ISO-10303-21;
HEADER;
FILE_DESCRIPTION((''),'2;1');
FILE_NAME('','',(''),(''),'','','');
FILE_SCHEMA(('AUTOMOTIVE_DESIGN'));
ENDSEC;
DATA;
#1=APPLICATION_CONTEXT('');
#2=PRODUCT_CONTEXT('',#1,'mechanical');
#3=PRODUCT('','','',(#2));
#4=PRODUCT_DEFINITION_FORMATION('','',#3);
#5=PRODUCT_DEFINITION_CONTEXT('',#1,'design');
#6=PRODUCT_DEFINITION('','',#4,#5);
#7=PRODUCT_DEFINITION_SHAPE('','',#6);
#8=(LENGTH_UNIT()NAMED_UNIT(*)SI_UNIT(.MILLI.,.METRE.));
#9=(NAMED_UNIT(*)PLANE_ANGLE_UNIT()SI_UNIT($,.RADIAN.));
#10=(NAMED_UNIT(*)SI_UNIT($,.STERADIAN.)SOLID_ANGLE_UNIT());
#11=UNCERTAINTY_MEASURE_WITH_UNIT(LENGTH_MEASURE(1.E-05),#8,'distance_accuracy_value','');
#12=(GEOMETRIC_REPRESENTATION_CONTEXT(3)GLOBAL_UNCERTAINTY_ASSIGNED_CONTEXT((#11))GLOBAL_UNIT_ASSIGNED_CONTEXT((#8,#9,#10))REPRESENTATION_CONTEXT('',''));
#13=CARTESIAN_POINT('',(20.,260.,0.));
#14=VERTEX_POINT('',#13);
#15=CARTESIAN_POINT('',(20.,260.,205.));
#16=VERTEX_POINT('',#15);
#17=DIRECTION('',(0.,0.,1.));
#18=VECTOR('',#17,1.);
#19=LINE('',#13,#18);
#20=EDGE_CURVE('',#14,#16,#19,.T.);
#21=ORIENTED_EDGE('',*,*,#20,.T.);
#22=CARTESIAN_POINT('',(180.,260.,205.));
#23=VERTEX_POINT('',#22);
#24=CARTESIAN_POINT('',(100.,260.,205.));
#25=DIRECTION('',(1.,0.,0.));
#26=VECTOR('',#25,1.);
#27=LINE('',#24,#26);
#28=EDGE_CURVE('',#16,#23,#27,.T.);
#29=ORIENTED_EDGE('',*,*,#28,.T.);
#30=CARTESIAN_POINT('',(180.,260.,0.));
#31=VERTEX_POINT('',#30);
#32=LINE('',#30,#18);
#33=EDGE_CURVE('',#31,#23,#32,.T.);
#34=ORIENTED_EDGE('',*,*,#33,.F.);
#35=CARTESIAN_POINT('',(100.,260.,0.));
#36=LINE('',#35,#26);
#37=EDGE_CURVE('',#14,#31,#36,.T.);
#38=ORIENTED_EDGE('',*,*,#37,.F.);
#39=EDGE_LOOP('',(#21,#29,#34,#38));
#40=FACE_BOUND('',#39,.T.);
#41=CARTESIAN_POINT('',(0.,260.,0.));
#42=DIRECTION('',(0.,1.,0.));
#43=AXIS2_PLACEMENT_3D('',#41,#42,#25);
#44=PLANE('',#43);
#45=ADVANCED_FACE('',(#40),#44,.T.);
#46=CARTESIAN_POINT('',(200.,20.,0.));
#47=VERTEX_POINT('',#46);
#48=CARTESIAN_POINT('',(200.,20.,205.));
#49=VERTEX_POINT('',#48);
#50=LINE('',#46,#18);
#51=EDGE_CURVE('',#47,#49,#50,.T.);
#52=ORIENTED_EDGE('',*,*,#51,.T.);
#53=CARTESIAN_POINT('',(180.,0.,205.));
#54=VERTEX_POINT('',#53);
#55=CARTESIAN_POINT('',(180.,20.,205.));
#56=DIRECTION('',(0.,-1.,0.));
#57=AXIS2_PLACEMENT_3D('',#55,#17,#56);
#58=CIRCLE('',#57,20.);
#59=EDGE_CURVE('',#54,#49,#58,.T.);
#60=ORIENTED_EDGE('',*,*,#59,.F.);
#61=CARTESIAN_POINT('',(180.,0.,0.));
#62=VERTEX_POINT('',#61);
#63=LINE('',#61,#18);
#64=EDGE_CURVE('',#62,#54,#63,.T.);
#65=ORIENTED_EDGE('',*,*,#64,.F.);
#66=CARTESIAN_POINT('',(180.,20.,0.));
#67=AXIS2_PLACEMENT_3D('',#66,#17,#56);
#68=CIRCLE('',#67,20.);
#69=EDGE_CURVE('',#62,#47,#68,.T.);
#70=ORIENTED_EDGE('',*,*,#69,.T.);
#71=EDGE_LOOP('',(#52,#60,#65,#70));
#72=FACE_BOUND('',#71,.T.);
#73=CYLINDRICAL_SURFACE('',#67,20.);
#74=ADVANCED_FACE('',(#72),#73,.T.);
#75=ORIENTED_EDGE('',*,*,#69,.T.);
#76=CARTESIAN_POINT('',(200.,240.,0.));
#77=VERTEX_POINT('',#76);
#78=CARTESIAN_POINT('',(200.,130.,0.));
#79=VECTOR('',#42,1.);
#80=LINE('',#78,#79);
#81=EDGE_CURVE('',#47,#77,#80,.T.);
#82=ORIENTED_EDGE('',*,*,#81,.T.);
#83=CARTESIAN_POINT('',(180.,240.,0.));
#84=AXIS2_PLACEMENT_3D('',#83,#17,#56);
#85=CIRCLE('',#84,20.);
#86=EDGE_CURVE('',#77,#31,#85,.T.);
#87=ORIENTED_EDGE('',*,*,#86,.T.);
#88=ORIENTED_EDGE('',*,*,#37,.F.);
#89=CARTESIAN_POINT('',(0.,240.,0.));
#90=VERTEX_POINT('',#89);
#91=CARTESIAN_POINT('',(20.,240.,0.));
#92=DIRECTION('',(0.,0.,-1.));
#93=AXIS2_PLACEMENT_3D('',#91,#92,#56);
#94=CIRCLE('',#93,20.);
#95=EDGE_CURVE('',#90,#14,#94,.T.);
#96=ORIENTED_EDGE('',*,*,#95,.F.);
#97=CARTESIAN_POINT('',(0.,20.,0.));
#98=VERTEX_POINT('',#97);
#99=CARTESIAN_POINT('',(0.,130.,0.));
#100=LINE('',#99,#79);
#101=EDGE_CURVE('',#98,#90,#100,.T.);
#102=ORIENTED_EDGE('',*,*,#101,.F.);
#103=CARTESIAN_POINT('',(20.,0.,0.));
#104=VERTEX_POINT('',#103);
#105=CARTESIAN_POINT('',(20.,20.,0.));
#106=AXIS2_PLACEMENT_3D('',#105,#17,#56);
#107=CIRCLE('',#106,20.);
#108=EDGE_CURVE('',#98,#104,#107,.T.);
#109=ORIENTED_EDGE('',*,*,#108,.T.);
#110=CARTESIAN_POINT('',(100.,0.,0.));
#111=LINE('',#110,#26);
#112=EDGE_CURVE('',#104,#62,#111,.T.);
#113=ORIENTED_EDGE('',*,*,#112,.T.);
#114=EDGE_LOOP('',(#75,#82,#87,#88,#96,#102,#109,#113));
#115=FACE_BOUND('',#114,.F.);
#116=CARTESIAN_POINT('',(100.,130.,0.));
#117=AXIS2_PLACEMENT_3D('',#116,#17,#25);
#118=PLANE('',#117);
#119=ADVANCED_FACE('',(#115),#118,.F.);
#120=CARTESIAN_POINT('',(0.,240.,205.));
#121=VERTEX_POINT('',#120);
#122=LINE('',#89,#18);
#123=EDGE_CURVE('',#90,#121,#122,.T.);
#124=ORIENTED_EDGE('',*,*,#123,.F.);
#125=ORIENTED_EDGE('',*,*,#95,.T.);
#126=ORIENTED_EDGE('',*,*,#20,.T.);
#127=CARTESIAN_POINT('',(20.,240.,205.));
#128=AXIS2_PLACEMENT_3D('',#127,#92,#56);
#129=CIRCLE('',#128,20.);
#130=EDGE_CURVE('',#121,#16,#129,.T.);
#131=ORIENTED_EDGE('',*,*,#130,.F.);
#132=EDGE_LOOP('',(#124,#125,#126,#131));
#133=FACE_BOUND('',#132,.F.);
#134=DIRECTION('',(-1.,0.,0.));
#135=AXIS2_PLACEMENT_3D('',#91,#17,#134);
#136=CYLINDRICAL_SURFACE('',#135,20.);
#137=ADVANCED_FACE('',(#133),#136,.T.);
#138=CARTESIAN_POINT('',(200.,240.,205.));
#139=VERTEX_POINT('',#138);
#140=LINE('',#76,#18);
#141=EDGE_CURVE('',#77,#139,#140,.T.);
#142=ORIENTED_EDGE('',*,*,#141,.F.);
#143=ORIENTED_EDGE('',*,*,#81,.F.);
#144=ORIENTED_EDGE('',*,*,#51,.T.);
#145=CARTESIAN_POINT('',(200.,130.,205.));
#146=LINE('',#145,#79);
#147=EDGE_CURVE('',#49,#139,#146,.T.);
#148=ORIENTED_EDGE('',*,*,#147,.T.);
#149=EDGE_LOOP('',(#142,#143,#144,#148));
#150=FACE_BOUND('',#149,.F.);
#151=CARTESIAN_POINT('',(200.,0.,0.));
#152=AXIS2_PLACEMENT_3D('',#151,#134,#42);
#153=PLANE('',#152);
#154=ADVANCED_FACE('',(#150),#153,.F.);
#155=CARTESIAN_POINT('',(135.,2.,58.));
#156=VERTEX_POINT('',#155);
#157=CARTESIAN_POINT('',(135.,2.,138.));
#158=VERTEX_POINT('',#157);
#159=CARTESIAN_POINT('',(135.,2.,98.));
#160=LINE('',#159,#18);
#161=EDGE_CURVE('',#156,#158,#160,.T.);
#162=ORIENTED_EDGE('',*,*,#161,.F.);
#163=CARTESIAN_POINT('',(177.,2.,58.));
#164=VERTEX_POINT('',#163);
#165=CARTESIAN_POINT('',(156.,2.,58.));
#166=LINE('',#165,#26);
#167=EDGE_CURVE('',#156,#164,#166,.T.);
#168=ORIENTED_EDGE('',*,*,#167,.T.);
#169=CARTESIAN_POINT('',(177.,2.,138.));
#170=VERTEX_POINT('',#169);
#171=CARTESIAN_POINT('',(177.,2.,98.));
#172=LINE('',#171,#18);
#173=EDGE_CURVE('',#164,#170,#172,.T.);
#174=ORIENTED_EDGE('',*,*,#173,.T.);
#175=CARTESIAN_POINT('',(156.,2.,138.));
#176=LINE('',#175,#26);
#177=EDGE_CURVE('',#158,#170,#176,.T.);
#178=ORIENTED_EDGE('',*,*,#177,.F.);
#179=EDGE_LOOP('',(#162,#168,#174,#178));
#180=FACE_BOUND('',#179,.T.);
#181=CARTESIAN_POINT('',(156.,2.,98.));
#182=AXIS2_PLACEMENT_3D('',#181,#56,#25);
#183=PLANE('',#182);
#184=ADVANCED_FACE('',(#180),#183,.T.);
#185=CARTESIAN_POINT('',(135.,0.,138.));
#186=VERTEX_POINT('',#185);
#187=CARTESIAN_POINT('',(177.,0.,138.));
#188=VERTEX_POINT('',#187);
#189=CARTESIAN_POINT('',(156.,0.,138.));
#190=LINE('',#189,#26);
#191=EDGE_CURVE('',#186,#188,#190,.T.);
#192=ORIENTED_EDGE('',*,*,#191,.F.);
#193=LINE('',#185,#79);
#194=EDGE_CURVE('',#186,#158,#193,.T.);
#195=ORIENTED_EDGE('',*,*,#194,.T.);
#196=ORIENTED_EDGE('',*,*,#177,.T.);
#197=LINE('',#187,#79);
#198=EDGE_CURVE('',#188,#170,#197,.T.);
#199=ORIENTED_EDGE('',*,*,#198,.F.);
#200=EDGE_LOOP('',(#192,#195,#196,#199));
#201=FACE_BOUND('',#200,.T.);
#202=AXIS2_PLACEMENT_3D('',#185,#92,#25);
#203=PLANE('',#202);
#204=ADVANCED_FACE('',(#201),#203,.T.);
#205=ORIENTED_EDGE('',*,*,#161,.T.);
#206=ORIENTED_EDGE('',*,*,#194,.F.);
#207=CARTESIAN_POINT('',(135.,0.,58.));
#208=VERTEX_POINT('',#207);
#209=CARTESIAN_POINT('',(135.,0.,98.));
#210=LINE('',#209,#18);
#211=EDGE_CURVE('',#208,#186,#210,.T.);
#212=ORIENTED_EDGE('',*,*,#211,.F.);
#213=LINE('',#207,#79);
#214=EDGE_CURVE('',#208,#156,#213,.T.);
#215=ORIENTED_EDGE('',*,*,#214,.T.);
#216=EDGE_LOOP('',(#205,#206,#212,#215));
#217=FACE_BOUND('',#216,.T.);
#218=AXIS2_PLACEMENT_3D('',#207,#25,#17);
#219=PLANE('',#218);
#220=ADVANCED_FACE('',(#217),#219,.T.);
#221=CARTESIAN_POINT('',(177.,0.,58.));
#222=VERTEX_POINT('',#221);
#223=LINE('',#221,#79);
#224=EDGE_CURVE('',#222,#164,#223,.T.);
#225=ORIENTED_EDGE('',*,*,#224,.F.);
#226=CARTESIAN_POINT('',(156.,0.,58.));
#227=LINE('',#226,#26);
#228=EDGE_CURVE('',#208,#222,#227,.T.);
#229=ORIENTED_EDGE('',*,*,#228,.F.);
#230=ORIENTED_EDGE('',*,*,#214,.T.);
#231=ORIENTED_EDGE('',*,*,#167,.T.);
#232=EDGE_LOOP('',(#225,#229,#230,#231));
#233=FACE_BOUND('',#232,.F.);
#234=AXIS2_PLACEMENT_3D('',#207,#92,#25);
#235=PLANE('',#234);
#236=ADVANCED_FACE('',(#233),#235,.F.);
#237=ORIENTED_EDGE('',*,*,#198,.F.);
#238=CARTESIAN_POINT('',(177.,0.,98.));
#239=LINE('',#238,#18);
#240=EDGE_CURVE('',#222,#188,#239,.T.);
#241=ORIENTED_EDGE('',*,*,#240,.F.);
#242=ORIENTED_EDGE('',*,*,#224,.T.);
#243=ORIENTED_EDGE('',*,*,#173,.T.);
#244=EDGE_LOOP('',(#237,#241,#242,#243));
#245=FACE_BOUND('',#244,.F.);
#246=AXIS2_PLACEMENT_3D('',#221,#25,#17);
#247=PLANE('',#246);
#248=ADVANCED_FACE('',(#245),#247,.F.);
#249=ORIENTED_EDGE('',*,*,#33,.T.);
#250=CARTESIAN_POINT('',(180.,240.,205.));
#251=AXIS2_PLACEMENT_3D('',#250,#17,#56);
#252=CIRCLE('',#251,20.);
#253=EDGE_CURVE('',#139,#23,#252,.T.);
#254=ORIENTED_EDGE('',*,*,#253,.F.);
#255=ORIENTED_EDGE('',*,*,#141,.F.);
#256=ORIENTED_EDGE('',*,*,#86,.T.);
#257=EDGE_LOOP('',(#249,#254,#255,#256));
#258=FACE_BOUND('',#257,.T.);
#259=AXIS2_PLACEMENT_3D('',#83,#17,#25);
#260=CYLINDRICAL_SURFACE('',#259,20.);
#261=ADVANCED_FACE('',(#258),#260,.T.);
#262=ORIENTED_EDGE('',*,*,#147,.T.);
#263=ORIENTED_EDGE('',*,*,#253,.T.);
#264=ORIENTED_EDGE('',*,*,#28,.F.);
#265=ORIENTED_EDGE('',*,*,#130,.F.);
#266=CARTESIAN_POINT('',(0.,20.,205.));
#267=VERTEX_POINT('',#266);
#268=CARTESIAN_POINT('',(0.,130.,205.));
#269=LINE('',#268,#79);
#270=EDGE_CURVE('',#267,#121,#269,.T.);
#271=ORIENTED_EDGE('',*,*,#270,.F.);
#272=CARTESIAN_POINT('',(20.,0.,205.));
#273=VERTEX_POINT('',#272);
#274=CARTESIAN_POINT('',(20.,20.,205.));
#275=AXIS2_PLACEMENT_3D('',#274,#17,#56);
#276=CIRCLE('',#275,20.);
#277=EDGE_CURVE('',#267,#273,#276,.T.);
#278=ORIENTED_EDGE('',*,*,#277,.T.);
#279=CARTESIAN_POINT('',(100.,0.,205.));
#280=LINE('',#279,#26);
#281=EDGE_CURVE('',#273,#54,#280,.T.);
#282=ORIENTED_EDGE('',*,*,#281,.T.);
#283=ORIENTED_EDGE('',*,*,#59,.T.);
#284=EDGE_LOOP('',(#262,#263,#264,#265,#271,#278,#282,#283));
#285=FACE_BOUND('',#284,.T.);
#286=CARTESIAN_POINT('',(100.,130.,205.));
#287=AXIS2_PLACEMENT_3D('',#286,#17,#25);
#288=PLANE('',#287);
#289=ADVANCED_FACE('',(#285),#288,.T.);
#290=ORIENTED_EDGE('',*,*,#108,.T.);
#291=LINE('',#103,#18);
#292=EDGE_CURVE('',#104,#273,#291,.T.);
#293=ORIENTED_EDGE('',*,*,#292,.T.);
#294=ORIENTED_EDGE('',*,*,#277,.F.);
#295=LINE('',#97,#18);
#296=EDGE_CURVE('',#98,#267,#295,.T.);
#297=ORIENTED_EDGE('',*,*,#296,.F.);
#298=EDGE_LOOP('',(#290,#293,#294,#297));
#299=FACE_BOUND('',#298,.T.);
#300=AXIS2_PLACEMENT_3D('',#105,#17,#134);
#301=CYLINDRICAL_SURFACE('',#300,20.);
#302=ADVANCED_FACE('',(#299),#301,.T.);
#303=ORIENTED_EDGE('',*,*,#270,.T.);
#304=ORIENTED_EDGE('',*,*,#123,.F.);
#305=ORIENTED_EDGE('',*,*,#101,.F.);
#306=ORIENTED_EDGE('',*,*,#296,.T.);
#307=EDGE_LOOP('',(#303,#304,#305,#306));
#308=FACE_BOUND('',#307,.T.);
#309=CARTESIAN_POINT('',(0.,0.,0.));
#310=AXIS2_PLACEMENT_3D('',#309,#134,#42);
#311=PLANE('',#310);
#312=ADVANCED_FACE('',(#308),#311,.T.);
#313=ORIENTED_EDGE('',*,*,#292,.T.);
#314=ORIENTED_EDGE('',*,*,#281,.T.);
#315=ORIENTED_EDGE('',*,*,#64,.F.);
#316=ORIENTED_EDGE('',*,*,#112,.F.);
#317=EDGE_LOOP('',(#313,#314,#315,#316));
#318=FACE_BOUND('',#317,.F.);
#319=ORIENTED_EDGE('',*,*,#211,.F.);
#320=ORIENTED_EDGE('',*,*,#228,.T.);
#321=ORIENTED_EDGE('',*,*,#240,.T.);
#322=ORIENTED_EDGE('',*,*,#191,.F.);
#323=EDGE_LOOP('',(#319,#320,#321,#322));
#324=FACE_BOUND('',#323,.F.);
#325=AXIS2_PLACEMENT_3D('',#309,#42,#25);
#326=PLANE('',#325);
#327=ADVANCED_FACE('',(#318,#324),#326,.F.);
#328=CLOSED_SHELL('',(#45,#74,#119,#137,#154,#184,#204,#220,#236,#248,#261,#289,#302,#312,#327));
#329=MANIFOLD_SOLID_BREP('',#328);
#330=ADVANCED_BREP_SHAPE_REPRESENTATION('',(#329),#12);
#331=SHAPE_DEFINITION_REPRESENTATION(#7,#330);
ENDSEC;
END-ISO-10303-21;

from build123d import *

# Parameters (mm, degrees)
F0_W     = 200
F0_H     = 260
F1_DEPTH = 205
F2_R     = 20
F3_W     = 42
F3_H     = 80
F4_DEPTH = 2


with BuildPart() as f1:
    # F0 (on Top) → F1 (new body)
    with BuildSketch(Plane.XY):
        with Locations((100, 130)):
            Rectangle(F0_W, F0_H)
    extrude(amount=F1_DEPTH)

    # F2
    f2_edges = [f1.edges().sort_by_distance(p)[0] for p in [
        (0, 0, 102.5),
        (0, 260, 102.5),
        (200, 260, 102.5),
        (200, 0, 102.5),
    ]]
    fillet(f2_edges, radius=F2_R)

    # F3 (on face) → F4 (cut)
    with BuildSketch(Plane.XZ):
        with Locations((156, 98)):
            Rectangle(F3_W, F3_H)
    extrude(amount=-F4_DEPTH, mode=Mode.SUBTRACT)


solid = f1.part
